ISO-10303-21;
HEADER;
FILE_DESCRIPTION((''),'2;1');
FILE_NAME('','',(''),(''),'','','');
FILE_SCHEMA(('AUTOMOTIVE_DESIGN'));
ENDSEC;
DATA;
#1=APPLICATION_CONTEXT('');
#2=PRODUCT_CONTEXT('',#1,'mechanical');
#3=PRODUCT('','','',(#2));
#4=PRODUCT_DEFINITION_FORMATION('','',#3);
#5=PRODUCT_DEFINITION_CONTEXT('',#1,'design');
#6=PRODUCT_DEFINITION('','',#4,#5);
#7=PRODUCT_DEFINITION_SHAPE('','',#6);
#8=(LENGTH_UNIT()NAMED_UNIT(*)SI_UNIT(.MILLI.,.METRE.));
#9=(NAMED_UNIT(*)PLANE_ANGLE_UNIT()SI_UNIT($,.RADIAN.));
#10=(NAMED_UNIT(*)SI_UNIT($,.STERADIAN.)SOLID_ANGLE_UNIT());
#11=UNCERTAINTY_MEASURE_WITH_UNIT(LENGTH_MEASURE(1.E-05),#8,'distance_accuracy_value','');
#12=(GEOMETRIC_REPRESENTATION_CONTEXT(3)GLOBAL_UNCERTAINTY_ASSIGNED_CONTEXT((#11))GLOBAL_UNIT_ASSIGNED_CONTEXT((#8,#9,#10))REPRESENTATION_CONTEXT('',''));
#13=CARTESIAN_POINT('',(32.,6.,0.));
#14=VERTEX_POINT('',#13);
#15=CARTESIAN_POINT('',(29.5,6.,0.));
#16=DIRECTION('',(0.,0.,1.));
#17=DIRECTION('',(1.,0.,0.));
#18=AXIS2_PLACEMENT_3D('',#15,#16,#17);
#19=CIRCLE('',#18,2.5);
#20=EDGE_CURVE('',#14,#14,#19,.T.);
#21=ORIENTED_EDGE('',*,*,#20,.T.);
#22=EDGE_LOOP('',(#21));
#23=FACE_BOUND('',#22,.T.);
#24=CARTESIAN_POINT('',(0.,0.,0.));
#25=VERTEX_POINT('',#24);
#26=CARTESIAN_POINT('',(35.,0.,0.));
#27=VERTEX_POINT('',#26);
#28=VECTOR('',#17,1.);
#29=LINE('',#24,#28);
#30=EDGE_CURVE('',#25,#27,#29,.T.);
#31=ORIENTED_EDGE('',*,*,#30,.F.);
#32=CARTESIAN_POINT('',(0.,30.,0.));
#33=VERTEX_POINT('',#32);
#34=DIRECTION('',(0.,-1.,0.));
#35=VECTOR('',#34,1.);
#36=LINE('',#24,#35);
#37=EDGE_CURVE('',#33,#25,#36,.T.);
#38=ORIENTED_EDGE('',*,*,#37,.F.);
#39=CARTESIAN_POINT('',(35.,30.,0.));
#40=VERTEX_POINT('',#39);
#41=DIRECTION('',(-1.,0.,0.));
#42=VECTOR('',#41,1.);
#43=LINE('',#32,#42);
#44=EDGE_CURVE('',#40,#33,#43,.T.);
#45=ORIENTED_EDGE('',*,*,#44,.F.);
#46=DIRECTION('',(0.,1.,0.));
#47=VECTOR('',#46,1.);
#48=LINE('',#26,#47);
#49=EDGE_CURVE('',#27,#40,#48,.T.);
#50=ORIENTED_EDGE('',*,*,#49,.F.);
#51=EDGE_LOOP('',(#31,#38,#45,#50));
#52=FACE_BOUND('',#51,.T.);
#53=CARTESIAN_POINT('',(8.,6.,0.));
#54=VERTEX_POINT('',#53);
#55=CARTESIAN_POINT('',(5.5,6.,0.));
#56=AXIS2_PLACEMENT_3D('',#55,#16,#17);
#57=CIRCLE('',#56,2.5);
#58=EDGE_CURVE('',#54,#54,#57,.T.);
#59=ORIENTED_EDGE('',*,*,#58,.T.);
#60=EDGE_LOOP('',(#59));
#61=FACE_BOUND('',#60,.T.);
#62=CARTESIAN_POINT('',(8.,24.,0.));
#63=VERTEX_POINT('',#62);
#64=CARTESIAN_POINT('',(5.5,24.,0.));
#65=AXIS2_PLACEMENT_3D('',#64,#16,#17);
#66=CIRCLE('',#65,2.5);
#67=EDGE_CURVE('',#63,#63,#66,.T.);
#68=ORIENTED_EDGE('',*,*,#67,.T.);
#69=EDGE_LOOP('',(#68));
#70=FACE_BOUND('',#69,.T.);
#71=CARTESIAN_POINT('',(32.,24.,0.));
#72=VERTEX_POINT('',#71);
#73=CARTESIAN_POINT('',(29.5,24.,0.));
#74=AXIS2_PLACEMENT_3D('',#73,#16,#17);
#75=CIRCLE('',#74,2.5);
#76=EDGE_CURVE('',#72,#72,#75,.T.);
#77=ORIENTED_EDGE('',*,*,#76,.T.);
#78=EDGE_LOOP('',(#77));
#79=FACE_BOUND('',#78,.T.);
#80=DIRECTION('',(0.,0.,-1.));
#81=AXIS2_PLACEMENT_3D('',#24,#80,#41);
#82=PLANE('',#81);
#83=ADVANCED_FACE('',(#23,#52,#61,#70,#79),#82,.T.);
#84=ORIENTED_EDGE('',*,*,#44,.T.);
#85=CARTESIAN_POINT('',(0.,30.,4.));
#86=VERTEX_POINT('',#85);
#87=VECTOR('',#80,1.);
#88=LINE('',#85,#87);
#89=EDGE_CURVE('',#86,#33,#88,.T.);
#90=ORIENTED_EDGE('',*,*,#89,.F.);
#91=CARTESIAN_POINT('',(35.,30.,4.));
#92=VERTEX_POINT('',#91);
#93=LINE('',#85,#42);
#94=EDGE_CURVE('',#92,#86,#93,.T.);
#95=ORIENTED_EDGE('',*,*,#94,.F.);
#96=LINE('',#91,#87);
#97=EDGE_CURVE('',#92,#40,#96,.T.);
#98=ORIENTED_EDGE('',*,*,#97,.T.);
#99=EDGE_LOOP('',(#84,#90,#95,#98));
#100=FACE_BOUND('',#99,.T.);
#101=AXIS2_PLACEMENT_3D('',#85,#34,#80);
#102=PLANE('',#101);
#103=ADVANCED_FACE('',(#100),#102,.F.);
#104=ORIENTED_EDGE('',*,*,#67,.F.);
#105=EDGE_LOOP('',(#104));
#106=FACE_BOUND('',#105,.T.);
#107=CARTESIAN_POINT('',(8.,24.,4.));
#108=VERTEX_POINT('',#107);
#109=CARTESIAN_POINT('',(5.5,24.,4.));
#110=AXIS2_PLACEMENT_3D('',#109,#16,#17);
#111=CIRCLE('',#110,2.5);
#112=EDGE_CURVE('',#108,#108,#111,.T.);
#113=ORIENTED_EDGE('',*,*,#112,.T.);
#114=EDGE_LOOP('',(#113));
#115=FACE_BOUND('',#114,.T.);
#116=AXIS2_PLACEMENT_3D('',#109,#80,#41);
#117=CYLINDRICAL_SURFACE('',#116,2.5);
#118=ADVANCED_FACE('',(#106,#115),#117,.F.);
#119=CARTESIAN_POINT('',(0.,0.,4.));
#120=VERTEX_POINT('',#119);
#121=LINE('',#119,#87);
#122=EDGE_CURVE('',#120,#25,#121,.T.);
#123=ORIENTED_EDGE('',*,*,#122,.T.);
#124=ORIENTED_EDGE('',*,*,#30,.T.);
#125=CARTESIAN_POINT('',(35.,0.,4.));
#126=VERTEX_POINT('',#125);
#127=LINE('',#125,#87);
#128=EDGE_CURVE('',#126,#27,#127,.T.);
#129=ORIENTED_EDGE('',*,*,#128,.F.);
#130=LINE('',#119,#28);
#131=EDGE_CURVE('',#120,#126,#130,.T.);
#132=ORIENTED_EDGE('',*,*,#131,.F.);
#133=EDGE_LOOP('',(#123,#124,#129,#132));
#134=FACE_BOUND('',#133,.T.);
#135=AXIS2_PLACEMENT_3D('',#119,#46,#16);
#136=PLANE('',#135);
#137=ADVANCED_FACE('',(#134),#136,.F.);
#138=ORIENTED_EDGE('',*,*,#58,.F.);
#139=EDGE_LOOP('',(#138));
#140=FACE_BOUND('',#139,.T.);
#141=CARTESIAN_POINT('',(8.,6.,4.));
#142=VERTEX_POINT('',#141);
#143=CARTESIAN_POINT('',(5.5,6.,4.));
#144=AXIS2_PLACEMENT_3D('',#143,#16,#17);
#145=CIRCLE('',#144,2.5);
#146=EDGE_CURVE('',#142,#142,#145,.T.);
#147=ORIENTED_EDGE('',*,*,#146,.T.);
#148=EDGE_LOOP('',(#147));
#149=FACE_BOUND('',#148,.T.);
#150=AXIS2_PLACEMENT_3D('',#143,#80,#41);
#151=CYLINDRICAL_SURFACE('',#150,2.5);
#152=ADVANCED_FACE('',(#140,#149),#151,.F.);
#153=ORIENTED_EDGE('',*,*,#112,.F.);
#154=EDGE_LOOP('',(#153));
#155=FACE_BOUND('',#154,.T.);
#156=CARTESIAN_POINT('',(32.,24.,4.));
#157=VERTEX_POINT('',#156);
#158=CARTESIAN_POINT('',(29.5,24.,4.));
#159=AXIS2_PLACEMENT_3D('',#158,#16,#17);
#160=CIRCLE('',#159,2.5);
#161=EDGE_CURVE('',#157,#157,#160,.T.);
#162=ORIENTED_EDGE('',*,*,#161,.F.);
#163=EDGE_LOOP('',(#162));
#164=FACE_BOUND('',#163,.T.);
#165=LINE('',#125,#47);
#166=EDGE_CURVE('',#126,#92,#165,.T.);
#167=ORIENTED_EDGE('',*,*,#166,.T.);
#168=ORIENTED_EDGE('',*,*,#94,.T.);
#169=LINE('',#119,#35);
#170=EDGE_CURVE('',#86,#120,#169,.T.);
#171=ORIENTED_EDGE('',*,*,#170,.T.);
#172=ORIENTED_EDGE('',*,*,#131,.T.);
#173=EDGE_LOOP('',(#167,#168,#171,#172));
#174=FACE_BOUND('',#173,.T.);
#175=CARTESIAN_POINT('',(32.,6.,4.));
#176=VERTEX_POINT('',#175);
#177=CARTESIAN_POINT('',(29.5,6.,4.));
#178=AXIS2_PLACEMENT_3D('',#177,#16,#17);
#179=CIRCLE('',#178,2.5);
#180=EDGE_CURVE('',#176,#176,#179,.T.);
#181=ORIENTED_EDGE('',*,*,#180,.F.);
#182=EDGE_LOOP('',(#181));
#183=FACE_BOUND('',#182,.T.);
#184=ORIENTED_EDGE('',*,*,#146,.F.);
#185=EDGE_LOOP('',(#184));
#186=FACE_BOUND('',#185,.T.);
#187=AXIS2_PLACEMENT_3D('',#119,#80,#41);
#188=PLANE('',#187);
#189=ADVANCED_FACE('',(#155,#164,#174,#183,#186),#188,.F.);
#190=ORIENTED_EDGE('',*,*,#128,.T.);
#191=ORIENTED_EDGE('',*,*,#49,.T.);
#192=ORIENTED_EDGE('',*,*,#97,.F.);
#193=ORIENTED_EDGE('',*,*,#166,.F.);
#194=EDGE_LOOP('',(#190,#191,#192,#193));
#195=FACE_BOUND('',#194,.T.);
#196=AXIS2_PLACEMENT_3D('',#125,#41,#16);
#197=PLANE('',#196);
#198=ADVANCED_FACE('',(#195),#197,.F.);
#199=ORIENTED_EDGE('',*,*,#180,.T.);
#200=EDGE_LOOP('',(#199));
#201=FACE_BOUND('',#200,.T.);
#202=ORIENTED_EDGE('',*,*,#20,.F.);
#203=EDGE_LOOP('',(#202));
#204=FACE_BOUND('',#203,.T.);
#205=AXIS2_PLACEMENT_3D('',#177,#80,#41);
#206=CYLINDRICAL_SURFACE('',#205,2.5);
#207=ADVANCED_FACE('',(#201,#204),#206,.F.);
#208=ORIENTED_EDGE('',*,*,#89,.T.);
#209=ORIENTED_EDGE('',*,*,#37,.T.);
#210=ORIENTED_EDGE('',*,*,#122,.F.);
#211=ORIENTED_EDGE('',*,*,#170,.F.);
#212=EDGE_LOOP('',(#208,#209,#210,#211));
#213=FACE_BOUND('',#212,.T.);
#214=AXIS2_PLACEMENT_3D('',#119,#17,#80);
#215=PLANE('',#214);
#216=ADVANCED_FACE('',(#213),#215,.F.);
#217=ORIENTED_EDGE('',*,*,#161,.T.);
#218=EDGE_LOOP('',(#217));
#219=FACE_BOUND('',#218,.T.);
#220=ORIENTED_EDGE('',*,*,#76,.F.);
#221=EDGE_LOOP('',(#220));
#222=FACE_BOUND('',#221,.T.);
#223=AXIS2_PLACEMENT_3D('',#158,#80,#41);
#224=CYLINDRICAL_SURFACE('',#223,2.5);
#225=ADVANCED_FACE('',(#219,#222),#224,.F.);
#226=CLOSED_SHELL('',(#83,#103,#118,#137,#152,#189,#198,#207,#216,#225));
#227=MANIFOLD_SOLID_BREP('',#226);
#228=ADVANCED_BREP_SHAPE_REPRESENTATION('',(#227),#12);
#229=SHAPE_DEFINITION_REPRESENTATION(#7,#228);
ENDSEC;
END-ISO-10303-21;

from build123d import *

# Parameters (mm, degrees)
SKETCH1_W           = 35
SKETCH1_H           = 30
SKETCH1_R           = 2.5
BOSS_EXTRUDE1_DEPTH = 4


with BuildPart() as part:
    # Sketch1 → Boss-Extrude1 (new body)
    with BuildSketch(Plane.XY):
        with Locations((17.5, 15)):
            Rectangle(SKETCH1_W, SKETCH1_H)
        with Locations((5.5, 24)):
            Circle(SKETCH1_R, mode=Mode.SUBTRACT)
        with Locations((29.5, 24)):
            Circle(SKETCH1_R, mode=Mode.SUBTRACT)
        with Locations((5.5, 6)):
            Circle(SKETCH1_R, mode=Mode.SUBTRACT)
        with Locations((29.5, 6)):
            Circle(SKETCH1_R, mode=Mode.SUBTRACT)
    extrude(amount=BOSS_EXTRUDE1_DEPTH)


solid = part.part
